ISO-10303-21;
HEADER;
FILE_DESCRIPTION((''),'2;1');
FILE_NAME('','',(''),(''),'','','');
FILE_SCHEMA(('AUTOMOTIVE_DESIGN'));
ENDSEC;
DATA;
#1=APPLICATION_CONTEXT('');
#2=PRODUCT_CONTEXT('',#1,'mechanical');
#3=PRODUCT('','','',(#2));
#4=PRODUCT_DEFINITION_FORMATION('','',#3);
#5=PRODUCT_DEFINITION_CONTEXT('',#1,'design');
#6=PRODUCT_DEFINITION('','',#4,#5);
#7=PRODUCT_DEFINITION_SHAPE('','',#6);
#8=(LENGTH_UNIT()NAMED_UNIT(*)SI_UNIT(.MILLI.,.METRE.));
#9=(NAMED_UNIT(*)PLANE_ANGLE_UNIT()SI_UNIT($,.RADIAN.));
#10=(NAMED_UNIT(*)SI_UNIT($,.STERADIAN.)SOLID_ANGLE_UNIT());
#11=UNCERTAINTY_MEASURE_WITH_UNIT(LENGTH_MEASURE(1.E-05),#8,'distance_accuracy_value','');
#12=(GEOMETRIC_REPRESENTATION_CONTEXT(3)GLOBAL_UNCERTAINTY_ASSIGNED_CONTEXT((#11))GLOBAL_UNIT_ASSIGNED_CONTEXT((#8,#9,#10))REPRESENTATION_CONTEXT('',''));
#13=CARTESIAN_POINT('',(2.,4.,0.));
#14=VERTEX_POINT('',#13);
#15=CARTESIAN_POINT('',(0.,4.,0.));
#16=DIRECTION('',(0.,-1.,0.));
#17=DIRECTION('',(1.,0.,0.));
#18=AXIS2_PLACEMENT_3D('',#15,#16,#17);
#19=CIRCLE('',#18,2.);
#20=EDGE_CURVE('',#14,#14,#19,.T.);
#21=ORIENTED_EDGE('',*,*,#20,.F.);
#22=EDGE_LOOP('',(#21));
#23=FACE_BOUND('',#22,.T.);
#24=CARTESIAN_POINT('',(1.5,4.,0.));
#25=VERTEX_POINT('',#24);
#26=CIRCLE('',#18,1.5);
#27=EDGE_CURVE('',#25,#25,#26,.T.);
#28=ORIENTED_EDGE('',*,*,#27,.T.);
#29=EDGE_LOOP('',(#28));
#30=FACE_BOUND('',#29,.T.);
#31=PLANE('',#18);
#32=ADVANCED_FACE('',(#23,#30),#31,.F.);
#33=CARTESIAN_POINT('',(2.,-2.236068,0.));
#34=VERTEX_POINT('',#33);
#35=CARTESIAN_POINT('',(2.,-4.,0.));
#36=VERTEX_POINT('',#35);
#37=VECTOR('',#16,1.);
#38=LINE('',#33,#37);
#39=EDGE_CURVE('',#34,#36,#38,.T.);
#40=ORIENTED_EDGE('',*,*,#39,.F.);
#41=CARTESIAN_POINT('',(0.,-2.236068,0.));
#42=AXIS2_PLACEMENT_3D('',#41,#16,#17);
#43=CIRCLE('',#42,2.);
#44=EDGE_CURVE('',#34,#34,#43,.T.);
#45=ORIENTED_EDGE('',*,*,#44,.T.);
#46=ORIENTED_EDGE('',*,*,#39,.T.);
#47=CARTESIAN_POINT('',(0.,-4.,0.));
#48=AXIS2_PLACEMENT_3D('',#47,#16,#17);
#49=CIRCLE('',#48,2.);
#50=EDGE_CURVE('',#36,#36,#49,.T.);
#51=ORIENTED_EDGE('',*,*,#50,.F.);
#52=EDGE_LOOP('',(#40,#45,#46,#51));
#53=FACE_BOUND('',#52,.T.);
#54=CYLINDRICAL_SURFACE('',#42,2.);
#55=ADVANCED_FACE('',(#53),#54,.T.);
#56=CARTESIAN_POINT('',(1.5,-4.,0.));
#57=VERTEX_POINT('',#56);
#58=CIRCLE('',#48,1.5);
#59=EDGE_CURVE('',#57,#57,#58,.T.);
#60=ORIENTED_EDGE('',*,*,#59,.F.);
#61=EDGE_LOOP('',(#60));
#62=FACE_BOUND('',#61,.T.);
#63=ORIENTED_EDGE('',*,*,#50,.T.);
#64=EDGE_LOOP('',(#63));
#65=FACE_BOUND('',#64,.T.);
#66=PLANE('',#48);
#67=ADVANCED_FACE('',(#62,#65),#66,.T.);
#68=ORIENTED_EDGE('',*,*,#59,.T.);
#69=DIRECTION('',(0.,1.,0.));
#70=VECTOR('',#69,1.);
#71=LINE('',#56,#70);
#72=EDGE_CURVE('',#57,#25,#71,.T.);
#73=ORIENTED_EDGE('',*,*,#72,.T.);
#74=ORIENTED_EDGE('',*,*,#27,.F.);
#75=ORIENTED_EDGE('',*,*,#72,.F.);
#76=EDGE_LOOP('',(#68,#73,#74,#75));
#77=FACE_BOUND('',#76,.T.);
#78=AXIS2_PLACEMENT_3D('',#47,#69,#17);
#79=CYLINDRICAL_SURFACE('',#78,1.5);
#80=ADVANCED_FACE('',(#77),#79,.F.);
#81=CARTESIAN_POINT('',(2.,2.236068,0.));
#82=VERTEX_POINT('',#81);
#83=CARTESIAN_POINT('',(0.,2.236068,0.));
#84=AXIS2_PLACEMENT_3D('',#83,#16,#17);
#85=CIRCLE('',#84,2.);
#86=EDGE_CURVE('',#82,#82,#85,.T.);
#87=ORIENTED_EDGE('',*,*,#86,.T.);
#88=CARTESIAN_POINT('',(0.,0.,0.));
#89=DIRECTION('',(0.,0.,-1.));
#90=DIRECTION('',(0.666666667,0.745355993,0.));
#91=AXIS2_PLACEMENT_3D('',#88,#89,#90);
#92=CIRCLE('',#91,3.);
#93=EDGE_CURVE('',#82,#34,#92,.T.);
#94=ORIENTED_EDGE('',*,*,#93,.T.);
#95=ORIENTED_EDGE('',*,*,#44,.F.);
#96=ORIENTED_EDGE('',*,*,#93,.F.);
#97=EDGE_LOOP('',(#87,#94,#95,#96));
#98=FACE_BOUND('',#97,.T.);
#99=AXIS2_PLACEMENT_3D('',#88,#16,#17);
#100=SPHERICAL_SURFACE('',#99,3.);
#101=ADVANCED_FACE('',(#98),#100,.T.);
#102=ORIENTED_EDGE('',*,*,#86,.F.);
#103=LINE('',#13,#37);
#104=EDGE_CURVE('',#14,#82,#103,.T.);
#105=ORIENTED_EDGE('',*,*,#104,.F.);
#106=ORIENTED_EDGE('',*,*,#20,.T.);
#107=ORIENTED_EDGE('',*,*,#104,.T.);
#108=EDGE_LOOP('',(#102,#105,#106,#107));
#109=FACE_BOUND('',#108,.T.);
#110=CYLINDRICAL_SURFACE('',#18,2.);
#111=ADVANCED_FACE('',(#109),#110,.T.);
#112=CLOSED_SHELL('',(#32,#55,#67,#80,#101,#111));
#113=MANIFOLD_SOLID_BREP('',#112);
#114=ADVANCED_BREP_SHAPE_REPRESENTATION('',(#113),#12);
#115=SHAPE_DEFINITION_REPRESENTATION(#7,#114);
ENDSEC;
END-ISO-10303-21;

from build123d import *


with BuildPart() as part:
    # Sketch1 → Revolve1 (revolve)
    with BuildSketch(Plane.XY):
        with BuildLine():
            Line((1.5, -4), (1.5, 4))
            Line((1.5, 4), (2, 4))
            Line((2, 4), (2, 2.236067977))
            ThreePointArc((2, 2.236067977), (3, 0), (2, -2.236067977))
            Line((2, -2.236067977), (2, -4))
            Line((2, -4), (1.5, -4))
        make_face()
    revolve(axis=Axis((0, 10.93189203, 0), (0, -1, 0)))


solid = part.part
